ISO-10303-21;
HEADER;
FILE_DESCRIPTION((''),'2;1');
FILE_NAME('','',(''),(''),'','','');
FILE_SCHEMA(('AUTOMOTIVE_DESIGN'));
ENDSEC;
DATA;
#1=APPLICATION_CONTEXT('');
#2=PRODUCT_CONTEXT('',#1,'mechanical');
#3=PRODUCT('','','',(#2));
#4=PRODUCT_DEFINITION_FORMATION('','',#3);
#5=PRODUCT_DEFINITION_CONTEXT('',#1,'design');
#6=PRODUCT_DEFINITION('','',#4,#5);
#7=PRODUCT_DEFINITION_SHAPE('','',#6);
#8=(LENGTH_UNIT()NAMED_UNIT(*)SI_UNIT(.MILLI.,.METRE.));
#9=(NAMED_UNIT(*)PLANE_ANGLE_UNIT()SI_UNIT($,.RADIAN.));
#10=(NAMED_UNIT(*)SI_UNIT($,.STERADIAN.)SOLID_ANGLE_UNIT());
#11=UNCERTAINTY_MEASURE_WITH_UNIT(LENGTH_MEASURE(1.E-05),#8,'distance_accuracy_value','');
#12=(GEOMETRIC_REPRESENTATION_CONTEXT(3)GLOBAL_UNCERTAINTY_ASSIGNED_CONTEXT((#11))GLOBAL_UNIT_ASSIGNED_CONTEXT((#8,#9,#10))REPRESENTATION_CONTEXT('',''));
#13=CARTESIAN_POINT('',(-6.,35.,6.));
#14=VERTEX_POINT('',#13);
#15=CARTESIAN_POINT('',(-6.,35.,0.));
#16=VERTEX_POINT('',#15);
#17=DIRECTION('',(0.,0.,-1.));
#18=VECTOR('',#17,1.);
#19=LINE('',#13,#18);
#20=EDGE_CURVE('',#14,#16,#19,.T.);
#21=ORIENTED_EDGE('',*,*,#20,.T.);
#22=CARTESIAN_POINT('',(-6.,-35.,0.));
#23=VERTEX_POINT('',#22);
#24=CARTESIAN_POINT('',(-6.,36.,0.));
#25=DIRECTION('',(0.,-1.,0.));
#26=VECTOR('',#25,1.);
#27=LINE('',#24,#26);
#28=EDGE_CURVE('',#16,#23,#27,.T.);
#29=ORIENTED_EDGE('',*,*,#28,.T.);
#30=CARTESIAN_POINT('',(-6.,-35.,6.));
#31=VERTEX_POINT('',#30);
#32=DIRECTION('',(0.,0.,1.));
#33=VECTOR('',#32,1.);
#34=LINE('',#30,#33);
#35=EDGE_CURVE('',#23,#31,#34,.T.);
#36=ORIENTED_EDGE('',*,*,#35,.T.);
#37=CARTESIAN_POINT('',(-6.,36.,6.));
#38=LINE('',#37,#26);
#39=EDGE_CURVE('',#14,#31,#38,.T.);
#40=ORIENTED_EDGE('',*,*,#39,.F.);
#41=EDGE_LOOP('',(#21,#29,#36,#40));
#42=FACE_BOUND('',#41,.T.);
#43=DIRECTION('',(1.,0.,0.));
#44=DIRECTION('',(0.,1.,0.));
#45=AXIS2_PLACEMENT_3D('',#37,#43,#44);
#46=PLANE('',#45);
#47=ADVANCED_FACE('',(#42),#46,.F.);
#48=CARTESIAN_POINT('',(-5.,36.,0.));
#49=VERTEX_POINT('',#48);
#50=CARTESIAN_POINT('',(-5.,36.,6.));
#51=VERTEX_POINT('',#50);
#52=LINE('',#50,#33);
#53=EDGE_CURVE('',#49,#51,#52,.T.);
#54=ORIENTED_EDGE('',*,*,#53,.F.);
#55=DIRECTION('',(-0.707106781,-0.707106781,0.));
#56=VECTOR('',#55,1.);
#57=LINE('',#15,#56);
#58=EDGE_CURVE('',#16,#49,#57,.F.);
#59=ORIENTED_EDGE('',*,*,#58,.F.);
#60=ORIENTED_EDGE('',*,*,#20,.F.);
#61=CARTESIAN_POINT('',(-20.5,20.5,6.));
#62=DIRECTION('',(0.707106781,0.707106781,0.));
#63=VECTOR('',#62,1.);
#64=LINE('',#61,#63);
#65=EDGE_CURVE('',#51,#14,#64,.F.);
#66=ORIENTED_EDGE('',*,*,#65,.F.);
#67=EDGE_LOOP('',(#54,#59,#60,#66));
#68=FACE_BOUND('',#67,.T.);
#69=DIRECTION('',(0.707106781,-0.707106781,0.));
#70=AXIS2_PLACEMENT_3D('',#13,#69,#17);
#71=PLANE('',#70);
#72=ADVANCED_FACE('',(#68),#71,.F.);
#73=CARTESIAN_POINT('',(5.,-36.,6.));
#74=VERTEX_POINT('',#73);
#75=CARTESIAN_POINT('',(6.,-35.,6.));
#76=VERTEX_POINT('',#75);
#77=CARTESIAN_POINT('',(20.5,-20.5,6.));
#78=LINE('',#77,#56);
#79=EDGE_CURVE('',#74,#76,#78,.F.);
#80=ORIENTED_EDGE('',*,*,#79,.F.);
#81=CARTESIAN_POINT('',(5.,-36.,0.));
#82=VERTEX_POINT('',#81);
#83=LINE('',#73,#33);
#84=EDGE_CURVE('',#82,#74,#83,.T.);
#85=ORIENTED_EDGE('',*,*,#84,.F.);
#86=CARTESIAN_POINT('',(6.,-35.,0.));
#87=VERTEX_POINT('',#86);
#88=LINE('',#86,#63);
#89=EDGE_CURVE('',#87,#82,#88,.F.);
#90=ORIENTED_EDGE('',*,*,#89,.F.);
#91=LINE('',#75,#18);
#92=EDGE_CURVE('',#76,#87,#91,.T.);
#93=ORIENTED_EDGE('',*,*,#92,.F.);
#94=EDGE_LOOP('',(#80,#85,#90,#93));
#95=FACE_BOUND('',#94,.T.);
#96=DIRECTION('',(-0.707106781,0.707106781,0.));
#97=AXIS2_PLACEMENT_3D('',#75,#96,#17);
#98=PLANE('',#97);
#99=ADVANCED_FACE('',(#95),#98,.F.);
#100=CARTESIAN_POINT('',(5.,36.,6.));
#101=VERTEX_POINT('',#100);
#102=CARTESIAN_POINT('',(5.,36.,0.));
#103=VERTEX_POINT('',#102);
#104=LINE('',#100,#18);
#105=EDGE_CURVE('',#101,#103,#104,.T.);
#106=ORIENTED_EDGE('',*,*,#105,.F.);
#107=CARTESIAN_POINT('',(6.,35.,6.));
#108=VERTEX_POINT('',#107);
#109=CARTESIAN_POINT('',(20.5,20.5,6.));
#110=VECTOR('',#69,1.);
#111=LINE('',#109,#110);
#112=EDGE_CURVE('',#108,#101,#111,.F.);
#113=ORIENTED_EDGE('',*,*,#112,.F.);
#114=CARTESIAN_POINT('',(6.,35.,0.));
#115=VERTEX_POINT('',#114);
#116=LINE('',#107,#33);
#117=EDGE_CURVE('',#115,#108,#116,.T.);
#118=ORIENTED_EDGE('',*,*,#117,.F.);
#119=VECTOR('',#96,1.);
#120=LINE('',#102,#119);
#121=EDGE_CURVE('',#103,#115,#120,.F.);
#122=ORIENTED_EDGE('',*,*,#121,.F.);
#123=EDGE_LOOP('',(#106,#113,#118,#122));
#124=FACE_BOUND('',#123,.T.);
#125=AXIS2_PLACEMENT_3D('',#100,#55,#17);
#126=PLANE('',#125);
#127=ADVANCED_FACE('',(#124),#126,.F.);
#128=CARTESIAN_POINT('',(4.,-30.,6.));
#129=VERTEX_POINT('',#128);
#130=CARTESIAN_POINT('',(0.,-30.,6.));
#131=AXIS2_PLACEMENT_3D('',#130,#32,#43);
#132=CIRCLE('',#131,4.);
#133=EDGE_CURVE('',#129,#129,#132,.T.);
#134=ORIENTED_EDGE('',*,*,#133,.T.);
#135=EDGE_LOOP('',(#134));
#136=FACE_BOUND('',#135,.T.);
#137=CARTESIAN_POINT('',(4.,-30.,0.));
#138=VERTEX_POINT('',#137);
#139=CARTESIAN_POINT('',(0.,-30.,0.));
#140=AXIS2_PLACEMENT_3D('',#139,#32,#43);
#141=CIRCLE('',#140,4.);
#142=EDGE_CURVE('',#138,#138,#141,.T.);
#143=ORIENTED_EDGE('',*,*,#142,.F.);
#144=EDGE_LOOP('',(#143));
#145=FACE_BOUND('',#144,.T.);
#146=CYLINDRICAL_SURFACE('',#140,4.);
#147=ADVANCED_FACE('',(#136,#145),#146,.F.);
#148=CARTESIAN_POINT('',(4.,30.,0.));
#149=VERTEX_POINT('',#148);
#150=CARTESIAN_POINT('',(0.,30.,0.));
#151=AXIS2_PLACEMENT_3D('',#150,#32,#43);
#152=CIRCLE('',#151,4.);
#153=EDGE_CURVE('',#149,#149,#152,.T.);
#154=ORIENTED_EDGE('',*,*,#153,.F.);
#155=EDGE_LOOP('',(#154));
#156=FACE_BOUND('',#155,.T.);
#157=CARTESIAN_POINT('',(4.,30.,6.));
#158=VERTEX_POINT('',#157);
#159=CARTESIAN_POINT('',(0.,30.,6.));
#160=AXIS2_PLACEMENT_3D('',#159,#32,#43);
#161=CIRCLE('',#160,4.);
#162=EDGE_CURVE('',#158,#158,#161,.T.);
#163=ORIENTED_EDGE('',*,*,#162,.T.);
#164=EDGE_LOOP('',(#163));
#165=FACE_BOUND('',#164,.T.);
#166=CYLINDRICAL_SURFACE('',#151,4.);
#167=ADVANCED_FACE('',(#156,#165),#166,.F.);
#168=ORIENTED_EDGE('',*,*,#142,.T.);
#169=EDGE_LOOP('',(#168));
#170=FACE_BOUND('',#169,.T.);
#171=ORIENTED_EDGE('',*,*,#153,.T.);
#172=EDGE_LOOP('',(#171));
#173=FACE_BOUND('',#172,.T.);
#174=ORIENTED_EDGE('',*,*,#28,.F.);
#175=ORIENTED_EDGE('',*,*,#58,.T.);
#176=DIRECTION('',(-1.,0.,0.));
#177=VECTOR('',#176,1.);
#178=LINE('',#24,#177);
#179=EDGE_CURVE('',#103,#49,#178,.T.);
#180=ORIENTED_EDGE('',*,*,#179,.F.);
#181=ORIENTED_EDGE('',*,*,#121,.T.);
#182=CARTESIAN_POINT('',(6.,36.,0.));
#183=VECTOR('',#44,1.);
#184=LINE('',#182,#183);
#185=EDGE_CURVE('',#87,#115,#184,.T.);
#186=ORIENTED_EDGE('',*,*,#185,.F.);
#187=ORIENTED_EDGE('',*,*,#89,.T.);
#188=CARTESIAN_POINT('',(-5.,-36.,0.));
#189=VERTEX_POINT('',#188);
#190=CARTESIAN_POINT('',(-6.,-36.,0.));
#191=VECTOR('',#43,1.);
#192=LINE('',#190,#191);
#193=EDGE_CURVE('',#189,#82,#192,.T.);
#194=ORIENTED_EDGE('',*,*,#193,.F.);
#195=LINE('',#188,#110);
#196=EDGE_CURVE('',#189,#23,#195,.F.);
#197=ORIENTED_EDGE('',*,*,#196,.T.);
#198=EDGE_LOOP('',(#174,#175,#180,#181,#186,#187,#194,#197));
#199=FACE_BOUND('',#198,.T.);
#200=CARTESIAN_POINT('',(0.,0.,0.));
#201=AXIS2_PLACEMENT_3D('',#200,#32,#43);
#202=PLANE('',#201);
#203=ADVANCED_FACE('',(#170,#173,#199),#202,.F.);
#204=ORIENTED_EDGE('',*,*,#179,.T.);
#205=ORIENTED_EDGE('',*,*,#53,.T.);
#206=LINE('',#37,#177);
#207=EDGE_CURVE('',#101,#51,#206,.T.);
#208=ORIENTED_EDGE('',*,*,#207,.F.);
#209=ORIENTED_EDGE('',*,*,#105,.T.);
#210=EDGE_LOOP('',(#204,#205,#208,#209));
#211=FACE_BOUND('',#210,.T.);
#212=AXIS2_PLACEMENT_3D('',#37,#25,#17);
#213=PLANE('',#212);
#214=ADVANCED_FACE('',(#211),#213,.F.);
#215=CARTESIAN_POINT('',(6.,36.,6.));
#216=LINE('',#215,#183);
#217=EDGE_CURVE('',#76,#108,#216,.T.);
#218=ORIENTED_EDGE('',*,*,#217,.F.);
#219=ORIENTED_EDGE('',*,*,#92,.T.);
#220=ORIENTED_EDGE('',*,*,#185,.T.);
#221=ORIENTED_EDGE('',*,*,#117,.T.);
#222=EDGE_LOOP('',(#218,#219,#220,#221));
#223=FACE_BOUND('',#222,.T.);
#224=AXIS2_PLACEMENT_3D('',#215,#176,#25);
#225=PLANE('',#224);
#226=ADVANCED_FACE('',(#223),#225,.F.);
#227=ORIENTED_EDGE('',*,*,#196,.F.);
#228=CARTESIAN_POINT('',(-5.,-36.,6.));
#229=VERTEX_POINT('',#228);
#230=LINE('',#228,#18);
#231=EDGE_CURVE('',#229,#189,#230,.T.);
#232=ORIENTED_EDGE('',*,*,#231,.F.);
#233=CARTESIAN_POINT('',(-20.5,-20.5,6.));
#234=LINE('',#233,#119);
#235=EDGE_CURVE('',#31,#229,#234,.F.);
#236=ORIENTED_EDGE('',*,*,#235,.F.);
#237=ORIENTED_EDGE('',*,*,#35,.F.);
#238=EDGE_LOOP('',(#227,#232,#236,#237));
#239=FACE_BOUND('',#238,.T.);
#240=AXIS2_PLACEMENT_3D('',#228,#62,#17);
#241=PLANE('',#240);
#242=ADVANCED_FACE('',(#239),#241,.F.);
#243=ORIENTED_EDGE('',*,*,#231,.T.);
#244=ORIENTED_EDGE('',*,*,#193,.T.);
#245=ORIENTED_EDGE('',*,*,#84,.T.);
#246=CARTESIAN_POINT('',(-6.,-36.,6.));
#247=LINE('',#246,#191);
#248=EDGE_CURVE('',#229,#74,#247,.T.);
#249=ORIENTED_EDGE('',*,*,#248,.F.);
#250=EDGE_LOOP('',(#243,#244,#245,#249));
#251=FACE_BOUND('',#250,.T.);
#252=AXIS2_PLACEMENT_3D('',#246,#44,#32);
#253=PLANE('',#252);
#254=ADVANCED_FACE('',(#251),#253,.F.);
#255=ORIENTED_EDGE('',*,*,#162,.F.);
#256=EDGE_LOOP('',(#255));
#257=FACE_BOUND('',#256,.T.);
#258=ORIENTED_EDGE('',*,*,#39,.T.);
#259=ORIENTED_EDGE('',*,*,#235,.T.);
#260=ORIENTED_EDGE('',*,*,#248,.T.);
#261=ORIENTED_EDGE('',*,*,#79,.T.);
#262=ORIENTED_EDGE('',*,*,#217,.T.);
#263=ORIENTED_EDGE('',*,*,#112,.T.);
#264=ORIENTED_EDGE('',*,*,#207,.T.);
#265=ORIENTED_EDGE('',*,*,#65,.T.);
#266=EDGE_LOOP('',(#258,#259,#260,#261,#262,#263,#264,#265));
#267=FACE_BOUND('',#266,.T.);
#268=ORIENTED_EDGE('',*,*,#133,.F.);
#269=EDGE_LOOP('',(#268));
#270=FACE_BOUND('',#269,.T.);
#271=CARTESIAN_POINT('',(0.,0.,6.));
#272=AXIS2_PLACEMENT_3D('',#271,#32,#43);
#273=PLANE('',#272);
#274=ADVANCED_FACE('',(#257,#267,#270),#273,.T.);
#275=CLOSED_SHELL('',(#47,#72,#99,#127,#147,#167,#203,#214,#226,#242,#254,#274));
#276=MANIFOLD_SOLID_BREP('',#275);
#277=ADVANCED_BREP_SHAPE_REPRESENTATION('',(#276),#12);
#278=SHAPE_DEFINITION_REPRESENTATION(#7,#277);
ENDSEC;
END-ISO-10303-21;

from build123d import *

# Parameters (mm, degrees)
SKETCH_4_W               = 12
SKETCH_4_H               = 72
EXTRUDE_1_DEPTH          = 6
CUT_EXTRUDE_1_DEPTH      = 37.986484018
CUT_EXTRUDE_1_DEPTH_BACK = 37.986484018
SKETCH_5_R               = 4
CHAMFER_1_SIZE           = 1


with BuildPart() as part:
    # ｽｹｯﾁ4 → ﾎﾞｽ - 押し出し1 (new body)
    with BuildSketch(Plane.XY):
        Rectangle(SKETCH_4_W, SKETCH_4_H)
    extrude(amount=EXTRUDE_1_DEPTH)

    # ｽｹｯﾁ5 → ｶｯﾄ - 押し出し1 (cut, two sides: drawn at the far end of the back side and taken through both)
    with BuildSketch(Plane.XY.offset(6).offset(-CUT_EXTRUDE_1_DEPTH_BACK)):
        with Locations((0, 30)):
            Circle(SKETCH_5_R)
        with Locations((0, -30)):
            Circle(SKETCH_5_R)
    extrude(amount=CUT_EXTRUDE_1_DEPTH + CUT_EXTRUDE_1_DEPTH_BACK, mode=Mode.SUBTRACT)

    # 面取り1
    chamfer_1_edges = [part.edges().sort_by_distance(p)[0] for p in [
        (6, -36, 3),
        (-6, -36, 3),
        (-6, 36, 3),
        (6, 36, 3),
    ]]
    chamfer(chamfer_1_edges, length=CHAMFER_1_SIZE)


solid = part.part
